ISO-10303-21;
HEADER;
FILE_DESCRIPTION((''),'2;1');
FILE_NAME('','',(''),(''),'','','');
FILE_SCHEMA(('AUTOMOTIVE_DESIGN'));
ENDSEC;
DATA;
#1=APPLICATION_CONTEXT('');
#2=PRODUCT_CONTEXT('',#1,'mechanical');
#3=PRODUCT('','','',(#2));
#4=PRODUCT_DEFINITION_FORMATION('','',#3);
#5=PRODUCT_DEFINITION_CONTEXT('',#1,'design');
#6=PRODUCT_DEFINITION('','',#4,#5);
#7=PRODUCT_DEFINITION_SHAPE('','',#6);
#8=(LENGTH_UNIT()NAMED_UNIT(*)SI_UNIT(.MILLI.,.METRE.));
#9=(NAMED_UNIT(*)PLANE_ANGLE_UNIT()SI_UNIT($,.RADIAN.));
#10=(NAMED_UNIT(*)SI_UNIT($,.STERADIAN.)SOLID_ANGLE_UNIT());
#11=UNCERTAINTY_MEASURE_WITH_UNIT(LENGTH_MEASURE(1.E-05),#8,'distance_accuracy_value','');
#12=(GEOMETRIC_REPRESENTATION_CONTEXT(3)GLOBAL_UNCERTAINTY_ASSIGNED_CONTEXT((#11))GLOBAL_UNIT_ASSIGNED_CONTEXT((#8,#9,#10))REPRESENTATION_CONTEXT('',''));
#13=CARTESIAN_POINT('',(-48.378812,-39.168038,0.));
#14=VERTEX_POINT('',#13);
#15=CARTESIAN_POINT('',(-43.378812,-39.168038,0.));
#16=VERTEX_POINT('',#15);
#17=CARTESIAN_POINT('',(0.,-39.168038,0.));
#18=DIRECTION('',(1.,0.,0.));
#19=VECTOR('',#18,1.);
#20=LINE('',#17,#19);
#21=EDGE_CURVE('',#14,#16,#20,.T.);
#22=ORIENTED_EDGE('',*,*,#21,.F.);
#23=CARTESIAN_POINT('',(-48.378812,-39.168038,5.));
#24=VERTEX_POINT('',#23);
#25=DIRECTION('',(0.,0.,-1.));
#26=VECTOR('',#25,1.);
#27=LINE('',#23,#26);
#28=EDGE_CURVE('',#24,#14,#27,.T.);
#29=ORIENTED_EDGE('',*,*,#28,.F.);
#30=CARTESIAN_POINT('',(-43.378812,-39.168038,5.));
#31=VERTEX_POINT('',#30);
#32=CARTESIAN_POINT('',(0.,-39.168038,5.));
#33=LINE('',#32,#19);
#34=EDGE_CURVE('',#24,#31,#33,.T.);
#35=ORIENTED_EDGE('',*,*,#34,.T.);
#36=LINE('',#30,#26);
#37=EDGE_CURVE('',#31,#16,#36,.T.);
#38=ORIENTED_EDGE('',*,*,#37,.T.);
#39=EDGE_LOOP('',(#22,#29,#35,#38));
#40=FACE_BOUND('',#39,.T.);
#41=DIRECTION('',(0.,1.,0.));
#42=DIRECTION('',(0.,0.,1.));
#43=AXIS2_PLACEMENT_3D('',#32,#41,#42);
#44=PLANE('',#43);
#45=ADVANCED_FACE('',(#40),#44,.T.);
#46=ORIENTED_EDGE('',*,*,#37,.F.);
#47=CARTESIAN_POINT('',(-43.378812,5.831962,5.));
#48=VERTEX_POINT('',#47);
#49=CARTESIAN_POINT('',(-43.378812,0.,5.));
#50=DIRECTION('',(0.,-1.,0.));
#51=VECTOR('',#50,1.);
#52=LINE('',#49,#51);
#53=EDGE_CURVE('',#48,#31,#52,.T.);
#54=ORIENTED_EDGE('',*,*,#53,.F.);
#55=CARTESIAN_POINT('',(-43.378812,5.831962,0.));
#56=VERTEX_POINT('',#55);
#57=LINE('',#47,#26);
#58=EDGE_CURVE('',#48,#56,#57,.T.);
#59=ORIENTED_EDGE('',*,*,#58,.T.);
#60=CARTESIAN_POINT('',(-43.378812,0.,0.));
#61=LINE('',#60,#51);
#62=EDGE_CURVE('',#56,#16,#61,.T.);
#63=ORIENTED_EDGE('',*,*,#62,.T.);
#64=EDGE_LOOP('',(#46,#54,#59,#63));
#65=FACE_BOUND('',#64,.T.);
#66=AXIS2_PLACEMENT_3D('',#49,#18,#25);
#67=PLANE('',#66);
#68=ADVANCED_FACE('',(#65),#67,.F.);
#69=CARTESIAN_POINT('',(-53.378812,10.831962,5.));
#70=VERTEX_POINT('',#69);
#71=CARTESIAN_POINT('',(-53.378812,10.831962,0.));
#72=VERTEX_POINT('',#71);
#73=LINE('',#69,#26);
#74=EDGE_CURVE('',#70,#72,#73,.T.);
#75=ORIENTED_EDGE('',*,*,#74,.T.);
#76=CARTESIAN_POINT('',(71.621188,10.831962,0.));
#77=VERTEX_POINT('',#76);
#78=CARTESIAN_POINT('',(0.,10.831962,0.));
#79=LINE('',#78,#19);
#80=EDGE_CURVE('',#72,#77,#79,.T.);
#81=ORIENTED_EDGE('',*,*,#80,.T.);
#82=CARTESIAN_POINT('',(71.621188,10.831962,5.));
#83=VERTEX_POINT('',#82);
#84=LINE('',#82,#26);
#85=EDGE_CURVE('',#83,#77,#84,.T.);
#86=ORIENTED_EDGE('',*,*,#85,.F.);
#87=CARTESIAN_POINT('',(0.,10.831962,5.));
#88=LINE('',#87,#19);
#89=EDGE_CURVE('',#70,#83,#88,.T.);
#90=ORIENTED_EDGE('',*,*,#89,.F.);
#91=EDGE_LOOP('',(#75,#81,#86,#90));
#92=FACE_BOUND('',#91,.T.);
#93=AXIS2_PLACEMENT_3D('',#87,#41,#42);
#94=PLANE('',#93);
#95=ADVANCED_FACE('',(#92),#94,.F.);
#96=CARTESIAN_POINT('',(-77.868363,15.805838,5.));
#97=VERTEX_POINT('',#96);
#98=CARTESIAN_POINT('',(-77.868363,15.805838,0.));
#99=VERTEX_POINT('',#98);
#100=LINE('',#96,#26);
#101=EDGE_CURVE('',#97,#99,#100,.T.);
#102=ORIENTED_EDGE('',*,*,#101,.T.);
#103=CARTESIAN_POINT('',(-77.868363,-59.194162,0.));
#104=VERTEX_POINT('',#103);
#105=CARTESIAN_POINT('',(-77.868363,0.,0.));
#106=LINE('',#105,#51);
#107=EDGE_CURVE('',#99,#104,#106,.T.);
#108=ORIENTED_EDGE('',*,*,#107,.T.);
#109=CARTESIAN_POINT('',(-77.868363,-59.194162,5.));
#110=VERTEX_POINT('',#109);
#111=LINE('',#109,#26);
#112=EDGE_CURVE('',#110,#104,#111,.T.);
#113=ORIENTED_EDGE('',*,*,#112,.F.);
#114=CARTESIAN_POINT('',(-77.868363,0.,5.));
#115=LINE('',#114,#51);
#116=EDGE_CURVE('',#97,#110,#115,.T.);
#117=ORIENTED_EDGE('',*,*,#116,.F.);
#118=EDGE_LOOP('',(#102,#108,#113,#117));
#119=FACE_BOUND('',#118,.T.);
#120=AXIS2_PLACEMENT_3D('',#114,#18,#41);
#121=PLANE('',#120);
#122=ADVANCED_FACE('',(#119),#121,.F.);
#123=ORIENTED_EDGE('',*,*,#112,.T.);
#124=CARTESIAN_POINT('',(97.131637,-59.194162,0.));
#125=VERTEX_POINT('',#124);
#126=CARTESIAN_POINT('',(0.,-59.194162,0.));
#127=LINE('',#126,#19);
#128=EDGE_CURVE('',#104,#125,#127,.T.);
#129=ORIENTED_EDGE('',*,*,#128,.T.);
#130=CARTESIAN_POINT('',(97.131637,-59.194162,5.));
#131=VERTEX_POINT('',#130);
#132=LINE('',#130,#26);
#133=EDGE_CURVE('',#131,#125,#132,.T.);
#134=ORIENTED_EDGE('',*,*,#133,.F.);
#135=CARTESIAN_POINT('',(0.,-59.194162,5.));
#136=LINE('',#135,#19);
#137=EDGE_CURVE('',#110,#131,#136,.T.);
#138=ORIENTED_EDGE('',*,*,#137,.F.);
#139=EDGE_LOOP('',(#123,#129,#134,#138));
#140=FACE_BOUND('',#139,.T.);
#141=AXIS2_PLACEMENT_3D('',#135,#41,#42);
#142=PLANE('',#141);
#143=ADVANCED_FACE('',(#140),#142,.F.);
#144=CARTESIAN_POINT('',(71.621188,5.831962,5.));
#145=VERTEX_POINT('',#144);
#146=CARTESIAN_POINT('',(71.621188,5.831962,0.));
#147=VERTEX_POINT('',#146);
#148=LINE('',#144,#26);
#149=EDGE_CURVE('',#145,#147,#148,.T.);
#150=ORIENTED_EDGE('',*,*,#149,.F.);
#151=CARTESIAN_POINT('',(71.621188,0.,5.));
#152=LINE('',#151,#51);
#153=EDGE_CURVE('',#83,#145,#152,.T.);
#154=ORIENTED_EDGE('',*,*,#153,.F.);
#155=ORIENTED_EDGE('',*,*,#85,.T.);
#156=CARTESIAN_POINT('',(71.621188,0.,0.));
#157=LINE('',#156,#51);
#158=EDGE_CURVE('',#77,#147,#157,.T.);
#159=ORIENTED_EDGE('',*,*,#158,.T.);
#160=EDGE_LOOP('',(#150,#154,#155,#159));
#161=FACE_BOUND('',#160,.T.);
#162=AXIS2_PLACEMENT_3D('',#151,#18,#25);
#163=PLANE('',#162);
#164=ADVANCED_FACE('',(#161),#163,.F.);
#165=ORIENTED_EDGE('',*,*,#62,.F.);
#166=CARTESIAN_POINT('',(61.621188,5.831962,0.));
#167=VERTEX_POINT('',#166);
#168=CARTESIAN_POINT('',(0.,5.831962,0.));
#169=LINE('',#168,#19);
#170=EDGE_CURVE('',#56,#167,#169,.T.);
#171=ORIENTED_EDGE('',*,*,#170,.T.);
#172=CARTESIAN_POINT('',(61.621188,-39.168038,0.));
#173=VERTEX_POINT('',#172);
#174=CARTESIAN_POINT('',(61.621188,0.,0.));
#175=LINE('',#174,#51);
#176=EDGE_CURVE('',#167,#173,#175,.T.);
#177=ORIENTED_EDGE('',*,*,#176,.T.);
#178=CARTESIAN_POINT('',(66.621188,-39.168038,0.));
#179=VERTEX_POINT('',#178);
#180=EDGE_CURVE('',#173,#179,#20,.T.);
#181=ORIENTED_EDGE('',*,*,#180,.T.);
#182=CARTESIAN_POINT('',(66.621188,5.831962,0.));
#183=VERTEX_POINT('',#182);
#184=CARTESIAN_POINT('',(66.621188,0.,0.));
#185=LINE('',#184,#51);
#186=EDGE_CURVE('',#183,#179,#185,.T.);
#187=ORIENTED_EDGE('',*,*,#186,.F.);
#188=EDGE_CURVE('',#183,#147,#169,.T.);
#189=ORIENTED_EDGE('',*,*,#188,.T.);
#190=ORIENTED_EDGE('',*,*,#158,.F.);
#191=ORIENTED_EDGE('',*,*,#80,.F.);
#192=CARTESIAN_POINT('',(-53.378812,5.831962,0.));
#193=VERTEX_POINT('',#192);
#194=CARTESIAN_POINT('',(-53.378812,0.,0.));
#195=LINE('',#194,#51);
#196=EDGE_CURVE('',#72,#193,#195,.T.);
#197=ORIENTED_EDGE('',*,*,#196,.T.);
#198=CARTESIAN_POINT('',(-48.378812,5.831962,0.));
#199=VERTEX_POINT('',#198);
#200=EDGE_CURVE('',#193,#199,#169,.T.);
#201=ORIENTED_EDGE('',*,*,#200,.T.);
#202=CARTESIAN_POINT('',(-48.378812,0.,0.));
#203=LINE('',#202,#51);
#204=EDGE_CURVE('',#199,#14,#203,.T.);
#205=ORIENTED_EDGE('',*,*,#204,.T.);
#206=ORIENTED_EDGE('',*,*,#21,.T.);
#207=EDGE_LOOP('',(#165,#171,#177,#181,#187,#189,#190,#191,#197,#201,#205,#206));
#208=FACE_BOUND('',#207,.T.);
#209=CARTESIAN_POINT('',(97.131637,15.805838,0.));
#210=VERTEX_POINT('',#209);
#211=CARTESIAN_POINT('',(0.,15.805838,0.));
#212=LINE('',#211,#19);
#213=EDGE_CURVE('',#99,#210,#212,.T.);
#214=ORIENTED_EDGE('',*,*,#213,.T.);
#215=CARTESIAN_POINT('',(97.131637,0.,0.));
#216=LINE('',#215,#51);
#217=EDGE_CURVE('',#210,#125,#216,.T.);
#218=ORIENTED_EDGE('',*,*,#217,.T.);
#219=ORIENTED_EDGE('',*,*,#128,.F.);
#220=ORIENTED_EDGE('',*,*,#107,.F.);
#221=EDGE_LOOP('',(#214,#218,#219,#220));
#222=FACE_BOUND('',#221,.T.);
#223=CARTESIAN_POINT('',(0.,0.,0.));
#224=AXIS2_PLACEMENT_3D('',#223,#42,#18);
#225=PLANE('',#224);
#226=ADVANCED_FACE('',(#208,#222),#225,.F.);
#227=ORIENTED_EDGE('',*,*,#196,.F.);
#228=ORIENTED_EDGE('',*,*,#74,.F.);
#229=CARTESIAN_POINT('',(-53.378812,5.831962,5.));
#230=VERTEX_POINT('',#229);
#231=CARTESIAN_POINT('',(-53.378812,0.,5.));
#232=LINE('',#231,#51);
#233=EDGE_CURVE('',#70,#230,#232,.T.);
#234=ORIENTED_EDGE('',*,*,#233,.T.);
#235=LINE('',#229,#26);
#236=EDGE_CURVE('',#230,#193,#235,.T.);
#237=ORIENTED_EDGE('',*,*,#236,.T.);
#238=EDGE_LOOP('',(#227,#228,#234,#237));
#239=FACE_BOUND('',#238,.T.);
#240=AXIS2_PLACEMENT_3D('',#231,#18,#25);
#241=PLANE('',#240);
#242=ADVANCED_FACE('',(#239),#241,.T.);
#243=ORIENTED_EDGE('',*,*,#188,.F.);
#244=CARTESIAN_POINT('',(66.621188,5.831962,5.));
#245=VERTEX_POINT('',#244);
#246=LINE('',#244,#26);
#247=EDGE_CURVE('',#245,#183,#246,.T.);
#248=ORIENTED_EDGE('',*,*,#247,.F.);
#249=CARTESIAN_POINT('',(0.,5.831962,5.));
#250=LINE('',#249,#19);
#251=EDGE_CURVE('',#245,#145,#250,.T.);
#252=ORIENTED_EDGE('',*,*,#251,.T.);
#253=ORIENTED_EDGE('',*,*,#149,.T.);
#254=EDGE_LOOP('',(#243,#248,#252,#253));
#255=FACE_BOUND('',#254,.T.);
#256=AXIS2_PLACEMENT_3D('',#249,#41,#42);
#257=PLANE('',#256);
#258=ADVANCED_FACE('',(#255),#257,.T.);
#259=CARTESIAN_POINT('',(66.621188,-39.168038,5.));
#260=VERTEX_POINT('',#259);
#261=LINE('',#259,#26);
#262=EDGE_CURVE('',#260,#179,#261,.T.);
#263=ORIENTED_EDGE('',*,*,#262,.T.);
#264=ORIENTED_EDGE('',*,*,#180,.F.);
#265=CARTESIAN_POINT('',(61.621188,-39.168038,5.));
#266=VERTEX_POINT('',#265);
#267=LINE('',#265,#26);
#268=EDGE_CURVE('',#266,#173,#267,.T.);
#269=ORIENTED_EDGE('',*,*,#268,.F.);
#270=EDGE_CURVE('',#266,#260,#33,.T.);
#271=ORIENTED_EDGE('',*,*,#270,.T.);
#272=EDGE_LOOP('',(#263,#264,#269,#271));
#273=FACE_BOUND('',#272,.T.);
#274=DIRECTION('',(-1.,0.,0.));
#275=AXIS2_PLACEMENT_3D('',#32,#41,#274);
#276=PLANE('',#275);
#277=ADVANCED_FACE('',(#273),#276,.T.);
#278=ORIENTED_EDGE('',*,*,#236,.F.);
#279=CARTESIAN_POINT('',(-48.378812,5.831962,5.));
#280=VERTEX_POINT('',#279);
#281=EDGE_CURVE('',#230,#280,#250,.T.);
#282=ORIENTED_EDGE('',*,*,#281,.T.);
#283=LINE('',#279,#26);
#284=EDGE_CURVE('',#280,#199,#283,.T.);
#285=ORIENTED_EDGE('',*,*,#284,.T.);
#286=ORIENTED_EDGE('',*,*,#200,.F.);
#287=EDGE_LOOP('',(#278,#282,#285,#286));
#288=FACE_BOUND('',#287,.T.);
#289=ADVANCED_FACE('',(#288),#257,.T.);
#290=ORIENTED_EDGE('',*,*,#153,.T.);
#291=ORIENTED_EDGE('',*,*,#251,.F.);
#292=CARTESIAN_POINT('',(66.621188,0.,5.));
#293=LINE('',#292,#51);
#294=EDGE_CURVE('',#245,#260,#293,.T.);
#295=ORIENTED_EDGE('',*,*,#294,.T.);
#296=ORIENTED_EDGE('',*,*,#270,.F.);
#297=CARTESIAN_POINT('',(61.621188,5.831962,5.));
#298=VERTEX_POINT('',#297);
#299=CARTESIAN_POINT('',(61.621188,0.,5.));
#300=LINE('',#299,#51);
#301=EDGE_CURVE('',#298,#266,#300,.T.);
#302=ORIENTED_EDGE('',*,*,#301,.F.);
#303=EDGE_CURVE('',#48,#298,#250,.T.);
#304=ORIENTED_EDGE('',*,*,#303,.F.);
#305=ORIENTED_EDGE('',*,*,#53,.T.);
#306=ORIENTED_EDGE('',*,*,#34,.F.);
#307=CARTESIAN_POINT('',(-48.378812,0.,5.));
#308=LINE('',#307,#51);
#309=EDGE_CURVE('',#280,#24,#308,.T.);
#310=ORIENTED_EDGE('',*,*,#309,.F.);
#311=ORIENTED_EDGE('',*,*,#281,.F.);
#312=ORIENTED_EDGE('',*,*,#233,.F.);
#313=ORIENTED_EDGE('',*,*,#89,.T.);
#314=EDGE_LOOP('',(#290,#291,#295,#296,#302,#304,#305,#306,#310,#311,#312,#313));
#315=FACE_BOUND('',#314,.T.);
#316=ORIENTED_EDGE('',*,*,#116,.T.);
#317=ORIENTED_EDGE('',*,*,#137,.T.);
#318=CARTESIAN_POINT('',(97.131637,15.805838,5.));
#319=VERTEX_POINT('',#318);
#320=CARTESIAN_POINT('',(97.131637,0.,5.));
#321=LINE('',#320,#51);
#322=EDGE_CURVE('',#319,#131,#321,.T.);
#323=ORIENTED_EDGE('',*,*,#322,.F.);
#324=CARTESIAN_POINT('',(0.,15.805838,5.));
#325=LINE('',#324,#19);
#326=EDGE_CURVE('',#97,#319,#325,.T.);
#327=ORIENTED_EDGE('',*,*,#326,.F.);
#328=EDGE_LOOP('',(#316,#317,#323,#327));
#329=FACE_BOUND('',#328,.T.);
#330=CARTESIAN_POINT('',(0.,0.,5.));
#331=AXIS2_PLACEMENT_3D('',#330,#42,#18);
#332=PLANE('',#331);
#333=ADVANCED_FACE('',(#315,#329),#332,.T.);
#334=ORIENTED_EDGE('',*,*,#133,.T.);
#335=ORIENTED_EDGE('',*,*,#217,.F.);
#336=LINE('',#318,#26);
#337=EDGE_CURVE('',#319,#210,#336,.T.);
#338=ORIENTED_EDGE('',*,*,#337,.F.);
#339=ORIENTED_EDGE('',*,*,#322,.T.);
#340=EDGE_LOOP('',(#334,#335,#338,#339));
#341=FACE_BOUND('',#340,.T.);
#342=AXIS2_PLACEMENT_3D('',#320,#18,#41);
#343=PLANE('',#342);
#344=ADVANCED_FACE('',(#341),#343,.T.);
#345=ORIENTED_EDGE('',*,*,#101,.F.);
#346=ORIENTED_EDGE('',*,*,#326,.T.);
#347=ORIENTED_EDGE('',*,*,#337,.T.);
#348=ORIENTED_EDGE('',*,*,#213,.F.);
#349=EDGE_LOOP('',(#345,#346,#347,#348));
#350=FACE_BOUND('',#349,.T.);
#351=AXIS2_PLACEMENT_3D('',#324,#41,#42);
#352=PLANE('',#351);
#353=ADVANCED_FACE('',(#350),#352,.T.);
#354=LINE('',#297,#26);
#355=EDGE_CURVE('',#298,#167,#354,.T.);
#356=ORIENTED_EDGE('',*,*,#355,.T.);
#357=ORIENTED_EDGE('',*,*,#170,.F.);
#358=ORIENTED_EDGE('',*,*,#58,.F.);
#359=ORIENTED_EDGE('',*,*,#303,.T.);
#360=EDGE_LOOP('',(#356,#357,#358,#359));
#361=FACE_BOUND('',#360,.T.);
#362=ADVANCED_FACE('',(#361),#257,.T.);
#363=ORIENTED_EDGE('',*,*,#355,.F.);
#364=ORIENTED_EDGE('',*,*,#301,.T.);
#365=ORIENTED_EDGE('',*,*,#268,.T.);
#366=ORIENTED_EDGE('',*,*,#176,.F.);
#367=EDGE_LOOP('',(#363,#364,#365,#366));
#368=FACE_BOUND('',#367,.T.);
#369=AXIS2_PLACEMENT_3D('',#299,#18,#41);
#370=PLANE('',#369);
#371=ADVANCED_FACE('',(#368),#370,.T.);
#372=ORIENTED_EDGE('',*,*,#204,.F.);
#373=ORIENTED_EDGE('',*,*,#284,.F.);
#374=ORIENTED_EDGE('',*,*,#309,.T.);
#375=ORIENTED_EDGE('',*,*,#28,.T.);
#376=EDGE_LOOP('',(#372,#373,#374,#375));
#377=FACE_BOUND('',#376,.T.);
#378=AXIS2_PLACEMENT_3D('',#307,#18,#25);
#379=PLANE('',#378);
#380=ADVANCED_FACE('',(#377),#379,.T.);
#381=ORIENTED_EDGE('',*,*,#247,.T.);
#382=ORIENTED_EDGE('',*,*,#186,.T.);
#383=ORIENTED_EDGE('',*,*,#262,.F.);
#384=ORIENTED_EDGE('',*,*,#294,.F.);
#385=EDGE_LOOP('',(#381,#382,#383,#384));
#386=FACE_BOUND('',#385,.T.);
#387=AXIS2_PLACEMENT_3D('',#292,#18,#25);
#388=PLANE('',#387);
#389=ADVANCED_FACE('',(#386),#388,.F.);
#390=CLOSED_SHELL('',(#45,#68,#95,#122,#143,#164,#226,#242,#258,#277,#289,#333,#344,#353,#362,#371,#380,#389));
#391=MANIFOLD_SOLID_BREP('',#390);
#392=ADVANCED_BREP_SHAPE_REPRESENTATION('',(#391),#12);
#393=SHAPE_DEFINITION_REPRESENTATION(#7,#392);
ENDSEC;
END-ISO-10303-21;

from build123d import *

# Parameters (mm, degrees)
ESQUISSE1_W        = 175
ESQUISSE1_H        = 75
BOSS_EXTRU_2_DEPTH = 5


with BuildPart() as part:
    # Esquisse1 → Boss.-Extru.2 (new body)
    with BuildSketch(Plane.XY):
        with Locations((9.63163738, -21.694161764)):
            Rectangle(ESQUISSE1_W, ESQUISSE1_H)
        Polygon((-53.378812272, 5.831962367), (-53.378812272, 10.831962367), (71.621187728, 10.831962367), (71.621187728, 5.831962367), (66.621187728, 5.831962367), (66.621187728, -39.168037633), (61.621187728, -39.168037633), (61.621187728, 5.831962367), (-43.378812272, 5.831962367), (-43.378812272, -39.168037633), (-48.378812272, -39.168037633), (-48.378812272, 5.831962367), align=None, mode=Mode.SUBTRACT)
    extrude(amount=BOSS_EXTRU_2_DEPTH)


solid = part.part
